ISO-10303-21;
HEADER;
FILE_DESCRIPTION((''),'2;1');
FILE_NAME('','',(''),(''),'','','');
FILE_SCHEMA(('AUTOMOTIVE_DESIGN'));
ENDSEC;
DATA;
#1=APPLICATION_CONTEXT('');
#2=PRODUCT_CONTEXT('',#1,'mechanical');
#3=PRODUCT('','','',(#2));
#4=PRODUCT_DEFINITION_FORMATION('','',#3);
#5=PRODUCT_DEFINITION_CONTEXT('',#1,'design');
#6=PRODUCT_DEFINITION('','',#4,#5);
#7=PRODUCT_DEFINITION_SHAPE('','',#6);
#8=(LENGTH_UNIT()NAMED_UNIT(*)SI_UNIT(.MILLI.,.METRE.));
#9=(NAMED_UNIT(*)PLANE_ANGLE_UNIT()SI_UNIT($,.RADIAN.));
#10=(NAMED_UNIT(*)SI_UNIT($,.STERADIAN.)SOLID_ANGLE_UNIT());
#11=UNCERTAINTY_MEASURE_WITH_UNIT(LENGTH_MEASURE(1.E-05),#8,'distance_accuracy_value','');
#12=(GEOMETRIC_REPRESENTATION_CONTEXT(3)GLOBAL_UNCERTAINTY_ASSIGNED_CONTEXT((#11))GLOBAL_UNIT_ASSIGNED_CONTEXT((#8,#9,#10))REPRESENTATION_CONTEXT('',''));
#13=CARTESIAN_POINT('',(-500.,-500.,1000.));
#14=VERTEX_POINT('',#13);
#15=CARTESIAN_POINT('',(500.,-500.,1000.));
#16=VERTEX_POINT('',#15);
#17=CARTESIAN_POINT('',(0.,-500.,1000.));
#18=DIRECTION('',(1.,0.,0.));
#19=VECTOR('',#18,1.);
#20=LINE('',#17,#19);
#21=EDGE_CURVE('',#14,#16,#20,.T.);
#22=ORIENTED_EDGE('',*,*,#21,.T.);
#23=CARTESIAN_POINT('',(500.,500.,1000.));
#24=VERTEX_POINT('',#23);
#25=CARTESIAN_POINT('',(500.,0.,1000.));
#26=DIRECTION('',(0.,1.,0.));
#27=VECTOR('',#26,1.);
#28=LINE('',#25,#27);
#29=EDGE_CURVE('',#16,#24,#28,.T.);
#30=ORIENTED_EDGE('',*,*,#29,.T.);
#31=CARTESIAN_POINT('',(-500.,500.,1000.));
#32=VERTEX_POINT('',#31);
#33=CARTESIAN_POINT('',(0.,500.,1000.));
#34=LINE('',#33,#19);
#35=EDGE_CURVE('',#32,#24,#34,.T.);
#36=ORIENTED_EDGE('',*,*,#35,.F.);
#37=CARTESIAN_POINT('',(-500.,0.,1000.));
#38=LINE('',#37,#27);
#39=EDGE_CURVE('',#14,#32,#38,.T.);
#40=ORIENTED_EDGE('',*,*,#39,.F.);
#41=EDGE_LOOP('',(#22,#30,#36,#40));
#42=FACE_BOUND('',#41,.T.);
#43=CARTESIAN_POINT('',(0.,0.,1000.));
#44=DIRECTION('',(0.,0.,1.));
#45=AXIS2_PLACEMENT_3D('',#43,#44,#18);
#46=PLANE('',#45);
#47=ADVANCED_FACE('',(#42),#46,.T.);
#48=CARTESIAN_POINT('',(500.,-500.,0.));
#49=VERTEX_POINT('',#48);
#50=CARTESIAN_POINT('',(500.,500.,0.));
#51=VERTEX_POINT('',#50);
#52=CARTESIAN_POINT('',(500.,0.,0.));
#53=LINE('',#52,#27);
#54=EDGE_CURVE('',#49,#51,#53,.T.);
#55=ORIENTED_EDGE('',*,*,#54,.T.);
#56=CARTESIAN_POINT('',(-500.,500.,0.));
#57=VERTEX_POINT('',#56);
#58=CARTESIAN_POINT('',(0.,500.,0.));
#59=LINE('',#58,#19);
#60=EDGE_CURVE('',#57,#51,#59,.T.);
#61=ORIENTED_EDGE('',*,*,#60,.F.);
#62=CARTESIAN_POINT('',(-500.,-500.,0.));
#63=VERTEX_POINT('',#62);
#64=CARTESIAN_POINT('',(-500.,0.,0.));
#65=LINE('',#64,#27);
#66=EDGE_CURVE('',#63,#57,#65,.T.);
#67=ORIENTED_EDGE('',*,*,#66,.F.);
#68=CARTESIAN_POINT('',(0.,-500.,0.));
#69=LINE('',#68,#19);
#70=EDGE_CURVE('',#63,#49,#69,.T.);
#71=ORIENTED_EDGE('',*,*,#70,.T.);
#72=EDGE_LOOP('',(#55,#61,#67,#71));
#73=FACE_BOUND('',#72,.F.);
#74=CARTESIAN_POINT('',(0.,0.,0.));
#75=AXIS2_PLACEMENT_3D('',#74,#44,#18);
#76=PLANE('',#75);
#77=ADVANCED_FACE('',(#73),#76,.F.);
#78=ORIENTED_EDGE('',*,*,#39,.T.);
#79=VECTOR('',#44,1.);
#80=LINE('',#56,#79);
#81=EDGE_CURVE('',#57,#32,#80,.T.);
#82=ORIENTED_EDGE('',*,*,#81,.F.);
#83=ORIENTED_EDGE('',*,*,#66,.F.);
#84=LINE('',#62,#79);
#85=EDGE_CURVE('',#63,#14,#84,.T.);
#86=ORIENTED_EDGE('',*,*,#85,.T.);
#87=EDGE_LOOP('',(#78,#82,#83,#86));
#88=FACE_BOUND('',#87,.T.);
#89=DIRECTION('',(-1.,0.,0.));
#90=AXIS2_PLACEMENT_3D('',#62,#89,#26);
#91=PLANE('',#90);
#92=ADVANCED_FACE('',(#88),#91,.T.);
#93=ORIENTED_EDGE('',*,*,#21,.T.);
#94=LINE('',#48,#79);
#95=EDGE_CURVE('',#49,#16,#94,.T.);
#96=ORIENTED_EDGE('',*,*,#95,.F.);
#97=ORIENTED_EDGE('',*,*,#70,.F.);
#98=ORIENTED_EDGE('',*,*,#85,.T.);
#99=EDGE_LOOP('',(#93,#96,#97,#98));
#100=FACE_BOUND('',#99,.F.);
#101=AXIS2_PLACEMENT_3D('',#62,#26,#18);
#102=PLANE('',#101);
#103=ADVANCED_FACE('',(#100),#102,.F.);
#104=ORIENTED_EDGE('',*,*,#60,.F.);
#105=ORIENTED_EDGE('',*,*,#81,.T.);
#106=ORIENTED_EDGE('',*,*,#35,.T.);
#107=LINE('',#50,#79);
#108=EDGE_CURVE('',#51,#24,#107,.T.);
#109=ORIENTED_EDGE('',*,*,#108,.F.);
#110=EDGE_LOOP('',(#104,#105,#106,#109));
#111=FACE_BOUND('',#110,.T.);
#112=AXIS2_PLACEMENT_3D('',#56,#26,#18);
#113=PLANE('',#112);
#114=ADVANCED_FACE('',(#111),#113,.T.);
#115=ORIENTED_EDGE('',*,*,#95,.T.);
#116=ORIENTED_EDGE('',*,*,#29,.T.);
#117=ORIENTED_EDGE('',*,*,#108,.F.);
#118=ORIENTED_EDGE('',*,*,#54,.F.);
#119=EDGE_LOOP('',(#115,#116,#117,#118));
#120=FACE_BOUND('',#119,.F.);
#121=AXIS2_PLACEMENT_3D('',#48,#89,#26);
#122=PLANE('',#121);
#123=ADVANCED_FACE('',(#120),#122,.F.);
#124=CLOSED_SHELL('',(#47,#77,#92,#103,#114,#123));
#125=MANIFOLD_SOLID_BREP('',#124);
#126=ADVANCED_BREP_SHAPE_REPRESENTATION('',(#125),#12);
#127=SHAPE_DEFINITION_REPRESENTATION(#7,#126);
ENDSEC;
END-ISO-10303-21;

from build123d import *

# Parameters (mm, degrees)
SKETCH_W  = 1000
SKETCH_H  = 1000
PAD_DEPTH = 1000


with BuildPart() as part:
    # Sketch → Pad (new body)
    with BuildSketch(Plane.XY):
        Rectangle(SKETCH_W, SKETCH_H)
    extrude(amount=PAD_DEPTH)


solid = part.part
